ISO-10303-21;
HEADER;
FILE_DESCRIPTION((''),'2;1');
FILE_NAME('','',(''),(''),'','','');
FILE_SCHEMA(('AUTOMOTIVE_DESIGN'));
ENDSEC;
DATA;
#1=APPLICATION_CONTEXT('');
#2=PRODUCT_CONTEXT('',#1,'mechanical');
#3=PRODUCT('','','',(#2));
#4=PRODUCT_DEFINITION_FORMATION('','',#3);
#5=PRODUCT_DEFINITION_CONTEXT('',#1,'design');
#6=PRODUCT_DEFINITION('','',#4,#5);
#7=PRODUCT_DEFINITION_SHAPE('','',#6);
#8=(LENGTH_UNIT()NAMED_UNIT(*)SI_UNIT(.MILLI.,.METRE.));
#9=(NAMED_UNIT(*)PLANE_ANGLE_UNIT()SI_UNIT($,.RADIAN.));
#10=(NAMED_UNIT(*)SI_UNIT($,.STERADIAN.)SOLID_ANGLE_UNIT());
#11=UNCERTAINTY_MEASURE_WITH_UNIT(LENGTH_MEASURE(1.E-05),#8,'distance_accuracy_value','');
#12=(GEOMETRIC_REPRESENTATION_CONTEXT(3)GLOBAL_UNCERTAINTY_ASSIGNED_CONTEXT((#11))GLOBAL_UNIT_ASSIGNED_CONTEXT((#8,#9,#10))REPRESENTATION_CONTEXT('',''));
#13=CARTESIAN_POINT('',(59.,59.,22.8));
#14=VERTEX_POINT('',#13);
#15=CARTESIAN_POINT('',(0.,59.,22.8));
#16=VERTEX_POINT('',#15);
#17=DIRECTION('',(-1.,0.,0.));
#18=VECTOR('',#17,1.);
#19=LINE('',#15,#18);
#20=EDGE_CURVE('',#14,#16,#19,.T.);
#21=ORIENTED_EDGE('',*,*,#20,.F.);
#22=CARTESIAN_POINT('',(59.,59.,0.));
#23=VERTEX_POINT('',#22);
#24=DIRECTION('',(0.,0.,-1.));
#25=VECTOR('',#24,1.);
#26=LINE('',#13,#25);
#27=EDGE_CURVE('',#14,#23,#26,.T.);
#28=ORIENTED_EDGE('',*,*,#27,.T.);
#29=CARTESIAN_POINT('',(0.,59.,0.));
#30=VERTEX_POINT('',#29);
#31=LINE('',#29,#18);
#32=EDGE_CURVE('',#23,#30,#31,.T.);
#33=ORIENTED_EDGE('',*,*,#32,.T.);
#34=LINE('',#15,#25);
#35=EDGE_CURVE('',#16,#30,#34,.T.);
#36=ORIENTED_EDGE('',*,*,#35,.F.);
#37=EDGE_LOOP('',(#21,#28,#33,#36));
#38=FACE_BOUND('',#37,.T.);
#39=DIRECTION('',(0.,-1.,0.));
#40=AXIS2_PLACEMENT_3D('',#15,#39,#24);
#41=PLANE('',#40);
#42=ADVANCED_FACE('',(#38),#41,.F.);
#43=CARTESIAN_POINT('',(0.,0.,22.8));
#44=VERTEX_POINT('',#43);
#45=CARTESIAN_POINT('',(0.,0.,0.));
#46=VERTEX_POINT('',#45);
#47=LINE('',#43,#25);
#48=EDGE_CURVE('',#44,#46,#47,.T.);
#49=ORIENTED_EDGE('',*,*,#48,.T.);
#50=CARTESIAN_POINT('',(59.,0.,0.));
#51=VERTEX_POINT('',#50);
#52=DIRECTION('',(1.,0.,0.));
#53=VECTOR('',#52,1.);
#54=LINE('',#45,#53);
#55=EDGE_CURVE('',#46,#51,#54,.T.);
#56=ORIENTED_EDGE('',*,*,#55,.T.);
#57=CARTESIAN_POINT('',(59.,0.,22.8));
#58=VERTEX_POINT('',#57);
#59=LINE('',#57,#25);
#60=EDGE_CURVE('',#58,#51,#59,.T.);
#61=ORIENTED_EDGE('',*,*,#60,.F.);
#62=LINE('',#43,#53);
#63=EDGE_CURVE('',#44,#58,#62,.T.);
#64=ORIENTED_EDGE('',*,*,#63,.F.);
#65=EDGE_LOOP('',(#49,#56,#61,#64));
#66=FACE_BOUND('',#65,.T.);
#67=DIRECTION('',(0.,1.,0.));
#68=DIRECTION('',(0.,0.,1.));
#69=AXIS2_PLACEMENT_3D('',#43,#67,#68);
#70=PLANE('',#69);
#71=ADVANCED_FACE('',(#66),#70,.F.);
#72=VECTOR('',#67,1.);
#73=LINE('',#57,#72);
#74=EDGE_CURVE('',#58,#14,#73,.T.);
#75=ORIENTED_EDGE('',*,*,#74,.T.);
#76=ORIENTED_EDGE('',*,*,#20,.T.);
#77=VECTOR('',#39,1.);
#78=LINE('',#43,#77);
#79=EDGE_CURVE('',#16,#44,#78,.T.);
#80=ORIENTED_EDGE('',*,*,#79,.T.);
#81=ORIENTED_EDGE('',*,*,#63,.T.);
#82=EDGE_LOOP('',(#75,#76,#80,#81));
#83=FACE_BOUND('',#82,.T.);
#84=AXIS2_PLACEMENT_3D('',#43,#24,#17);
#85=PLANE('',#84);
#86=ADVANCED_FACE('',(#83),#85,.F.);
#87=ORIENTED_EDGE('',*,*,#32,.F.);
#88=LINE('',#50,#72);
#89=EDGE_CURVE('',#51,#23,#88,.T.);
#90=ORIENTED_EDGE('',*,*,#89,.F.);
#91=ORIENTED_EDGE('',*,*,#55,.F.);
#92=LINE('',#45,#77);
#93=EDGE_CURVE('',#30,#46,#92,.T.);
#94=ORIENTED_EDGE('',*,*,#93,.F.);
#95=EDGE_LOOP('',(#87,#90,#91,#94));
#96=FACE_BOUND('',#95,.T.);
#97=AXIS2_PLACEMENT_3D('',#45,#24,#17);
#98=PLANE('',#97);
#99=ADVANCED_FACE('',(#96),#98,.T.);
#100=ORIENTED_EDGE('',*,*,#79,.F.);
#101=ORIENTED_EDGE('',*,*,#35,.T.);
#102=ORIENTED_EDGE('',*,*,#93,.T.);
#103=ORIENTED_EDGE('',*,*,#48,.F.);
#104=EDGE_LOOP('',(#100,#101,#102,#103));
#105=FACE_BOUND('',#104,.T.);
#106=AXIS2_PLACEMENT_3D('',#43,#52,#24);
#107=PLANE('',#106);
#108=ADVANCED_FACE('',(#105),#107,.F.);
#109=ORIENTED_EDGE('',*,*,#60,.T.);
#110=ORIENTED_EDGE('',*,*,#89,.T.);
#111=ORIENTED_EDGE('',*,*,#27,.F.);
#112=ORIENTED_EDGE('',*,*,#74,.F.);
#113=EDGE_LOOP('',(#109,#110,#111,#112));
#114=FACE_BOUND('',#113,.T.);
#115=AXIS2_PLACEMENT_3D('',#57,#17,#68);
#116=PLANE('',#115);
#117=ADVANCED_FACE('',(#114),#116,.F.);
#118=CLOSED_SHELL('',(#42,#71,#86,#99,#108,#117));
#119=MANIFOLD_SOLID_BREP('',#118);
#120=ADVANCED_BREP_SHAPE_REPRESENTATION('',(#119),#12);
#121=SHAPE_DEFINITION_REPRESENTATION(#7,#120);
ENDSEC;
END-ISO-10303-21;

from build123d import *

# Parameters (mm, degrees)
SKETCH1_W           = 59
SKETCH1_H           = 59
BOSS_EXTRUDE1_DEPTH = 22.8


with BuildPart() as part:
    # Sketch1 → Boss-Extrude1 (new body)
    with BuildSketch(Plane.XY):
        with Locations((29.5, 29.5)):
            Rectangle(SKETCH1_W, SKETCH1_H)
    extrude(amount=BOSS_EXTRUDE1_DEPTH)


solid = part.part
